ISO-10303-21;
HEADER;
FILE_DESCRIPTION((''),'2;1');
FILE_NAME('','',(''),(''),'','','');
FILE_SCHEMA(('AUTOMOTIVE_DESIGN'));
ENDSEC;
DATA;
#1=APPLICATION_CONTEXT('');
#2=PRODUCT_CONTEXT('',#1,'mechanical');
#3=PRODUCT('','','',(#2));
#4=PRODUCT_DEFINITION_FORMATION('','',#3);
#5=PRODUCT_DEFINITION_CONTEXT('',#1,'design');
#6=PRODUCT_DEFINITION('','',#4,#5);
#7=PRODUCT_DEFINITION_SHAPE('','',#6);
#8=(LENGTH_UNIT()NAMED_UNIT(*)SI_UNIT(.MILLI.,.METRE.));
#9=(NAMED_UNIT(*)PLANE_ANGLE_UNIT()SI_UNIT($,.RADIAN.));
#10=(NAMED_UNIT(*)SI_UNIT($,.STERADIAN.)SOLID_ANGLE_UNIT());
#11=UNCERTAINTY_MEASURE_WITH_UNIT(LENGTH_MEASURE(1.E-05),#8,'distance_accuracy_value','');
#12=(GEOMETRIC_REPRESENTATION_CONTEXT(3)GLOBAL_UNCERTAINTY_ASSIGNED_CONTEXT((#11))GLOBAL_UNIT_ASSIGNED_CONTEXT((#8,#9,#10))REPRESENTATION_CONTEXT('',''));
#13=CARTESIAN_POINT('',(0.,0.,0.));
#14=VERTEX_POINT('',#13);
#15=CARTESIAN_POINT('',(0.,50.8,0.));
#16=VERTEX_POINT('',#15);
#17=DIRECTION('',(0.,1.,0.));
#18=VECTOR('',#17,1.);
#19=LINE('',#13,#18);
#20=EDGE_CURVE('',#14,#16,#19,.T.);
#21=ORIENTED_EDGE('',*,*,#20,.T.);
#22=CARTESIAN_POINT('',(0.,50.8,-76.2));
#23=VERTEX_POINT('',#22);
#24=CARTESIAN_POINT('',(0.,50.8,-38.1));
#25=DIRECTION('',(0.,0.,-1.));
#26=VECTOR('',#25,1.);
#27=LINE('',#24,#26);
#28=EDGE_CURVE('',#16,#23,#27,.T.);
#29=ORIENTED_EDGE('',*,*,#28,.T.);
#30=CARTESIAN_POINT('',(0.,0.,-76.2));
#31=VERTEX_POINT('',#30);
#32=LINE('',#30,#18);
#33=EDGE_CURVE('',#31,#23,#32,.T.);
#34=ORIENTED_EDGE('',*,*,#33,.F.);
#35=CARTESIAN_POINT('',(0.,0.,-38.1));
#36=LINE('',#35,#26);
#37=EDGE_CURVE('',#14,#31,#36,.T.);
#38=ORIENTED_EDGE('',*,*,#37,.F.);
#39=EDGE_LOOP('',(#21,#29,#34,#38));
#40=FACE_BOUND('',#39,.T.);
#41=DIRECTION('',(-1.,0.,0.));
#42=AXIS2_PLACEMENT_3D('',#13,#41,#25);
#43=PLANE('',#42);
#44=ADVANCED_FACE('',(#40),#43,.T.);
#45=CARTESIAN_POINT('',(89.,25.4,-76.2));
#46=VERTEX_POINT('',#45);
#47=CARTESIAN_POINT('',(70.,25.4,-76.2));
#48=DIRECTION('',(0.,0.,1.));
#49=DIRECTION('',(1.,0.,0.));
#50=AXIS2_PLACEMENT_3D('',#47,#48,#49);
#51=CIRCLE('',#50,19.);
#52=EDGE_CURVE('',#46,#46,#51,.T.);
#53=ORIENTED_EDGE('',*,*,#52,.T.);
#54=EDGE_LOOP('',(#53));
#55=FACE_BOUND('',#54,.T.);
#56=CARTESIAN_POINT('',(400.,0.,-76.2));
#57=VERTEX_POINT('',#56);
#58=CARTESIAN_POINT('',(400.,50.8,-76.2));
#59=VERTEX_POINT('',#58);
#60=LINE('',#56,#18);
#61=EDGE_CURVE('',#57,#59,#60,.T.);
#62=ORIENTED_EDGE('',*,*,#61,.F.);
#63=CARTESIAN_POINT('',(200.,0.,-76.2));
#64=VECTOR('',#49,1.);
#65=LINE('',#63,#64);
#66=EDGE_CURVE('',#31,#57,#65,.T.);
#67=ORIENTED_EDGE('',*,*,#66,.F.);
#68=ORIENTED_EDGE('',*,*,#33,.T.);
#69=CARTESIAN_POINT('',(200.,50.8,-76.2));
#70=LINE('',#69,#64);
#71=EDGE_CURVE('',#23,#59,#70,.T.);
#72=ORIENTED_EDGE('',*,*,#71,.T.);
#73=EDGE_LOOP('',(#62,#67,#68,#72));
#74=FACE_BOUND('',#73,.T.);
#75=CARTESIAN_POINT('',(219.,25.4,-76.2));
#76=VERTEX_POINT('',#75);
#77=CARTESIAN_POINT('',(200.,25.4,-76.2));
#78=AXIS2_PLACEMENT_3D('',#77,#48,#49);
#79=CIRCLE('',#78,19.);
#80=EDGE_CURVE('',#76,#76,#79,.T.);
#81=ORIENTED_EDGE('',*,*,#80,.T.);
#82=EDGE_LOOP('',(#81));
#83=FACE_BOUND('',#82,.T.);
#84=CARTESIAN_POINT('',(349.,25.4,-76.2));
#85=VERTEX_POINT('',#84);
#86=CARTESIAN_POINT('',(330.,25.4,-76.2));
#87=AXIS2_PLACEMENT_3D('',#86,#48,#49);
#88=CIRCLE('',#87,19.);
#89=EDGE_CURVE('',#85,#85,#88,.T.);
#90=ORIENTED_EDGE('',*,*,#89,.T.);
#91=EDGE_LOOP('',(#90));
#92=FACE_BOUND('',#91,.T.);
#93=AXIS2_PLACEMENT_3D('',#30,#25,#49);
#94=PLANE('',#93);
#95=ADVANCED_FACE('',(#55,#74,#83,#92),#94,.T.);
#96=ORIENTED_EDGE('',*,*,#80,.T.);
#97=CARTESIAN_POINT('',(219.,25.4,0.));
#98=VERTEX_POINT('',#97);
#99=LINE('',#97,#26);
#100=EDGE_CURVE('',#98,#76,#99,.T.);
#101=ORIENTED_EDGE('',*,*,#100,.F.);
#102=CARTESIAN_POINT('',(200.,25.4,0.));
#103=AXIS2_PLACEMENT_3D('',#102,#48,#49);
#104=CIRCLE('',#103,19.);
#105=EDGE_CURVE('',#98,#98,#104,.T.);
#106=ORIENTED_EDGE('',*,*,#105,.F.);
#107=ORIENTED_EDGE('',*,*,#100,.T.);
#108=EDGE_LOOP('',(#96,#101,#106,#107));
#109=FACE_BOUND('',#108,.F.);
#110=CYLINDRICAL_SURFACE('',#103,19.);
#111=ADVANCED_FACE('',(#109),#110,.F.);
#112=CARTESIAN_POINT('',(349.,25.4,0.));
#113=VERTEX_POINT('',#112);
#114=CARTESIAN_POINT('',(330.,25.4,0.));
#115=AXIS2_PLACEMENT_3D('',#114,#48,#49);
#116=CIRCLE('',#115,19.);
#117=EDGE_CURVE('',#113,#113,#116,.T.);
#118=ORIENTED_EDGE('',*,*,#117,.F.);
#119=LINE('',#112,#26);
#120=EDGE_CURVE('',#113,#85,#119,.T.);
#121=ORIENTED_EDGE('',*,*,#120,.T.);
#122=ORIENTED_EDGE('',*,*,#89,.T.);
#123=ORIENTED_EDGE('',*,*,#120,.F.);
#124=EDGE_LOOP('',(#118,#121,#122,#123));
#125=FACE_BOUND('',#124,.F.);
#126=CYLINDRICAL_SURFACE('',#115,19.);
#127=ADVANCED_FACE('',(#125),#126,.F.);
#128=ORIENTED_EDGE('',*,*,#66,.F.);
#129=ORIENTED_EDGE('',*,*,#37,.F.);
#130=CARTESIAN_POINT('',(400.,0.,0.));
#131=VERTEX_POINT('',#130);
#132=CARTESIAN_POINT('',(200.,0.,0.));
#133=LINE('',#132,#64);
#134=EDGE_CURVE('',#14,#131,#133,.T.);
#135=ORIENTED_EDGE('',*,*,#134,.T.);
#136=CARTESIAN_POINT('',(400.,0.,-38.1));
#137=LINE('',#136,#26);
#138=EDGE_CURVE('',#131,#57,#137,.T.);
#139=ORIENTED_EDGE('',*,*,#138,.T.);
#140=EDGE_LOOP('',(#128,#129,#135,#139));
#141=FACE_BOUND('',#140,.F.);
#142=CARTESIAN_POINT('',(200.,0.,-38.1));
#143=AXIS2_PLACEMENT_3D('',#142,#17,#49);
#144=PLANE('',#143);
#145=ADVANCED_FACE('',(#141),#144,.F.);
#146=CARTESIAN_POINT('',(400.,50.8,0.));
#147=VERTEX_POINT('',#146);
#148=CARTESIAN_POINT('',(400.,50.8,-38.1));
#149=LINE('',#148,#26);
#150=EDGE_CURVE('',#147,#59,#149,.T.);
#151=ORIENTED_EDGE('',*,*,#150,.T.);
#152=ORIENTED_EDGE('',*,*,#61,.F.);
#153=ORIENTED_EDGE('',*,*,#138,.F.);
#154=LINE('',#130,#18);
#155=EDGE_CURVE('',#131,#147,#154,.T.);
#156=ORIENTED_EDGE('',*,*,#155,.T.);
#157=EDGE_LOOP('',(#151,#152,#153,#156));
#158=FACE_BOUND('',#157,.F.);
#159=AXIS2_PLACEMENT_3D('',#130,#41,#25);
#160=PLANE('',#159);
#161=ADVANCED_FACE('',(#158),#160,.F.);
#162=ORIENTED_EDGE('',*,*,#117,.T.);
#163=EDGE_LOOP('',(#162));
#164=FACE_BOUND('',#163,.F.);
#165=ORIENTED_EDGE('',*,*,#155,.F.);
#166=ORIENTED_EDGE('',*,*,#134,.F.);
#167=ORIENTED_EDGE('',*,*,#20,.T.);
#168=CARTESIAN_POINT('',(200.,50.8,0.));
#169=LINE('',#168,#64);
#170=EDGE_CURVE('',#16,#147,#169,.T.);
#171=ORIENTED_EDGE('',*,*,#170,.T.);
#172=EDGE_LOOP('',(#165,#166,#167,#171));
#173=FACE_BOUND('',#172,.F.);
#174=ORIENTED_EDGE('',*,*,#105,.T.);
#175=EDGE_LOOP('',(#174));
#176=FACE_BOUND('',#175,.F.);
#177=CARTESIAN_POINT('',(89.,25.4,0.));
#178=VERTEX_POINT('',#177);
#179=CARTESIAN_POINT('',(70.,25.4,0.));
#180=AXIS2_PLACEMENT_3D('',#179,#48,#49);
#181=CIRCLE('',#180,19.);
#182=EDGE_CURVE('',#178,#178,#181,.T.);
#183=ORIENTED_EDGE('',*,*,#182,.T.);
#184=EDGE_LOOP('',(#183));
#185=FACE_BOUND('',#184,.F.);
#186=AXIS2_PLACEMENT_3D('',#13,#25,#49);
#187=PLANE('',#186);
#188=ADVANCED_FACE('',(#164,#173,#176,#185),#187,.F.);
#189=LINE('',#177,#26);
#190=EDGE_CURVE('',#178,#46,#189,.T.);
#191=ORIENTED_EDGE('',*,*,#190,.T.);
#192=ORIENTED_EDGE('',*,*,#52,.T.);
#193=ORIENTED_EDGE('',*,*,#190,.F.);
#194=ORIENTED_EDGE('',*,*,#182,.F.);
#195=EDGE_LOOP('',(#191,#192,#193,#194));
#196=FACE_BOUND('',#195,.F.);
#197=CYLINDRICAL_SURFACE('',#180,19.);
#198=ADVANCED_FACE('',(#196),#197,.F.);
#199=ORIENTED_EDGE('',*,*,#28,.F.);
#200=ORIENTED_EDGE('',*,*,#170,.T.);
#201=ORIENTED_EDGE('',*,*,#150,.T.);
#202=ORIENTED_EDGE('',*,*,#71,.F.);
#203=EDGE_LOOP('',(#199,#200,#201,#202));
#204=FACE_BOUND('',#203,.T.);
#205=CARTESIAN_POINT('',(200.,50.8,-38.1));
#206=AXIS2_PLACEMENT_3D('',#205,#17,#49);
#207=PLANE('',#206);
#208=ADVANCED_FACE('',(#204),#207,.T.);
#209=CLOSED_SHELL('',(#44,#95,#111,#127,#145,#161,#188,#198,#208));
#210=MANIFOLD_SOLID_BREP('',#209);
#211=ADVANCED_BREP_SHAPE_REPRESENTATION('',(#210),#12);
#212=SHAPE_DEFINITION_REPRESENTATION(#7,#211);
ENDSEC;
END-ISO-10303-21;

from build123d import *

# Parameters (mm, degrees)
SKETCH1_W           = 400
SKETCH1_H           = 76.2
BOSS_EXTRUDE1_DEPTH = 50.8
SKETCH2_R           = 19
CUT_EXTRUDE1_DEPTH  = 76.2


with BuildPart() as part:
    # Sketch1 → Boss-Extrude1 (new body)
    with BuildSketch(Plane(origin=(0, 0, 0), x_dir=(1, 0, 0), z_dir=(0, 1, 0))):
        with Locations((200, 38.1)):
            Rectangle(SKETCH1_W, SKETCH1_H)
    extrude(amount=BOSS_EXTRUDE1_DEPTH)

    # Sketch2 → Cut-Extrude1 (cut)
    with BuildSketch(Plane.XY):
        with Locations((70, 25.4)):
            Circle(SKETCH2_R)
        with Locations((200, 25.4)):
            Circle(SKETCH2_R)
        with Locations((330, 25.4)):
            Circle(SKETCH2_R)
    extrude(amount=-CUT_EXTRUDE1_DEPTH, mode=Mode.SUBTRACT)


solid = part.part
